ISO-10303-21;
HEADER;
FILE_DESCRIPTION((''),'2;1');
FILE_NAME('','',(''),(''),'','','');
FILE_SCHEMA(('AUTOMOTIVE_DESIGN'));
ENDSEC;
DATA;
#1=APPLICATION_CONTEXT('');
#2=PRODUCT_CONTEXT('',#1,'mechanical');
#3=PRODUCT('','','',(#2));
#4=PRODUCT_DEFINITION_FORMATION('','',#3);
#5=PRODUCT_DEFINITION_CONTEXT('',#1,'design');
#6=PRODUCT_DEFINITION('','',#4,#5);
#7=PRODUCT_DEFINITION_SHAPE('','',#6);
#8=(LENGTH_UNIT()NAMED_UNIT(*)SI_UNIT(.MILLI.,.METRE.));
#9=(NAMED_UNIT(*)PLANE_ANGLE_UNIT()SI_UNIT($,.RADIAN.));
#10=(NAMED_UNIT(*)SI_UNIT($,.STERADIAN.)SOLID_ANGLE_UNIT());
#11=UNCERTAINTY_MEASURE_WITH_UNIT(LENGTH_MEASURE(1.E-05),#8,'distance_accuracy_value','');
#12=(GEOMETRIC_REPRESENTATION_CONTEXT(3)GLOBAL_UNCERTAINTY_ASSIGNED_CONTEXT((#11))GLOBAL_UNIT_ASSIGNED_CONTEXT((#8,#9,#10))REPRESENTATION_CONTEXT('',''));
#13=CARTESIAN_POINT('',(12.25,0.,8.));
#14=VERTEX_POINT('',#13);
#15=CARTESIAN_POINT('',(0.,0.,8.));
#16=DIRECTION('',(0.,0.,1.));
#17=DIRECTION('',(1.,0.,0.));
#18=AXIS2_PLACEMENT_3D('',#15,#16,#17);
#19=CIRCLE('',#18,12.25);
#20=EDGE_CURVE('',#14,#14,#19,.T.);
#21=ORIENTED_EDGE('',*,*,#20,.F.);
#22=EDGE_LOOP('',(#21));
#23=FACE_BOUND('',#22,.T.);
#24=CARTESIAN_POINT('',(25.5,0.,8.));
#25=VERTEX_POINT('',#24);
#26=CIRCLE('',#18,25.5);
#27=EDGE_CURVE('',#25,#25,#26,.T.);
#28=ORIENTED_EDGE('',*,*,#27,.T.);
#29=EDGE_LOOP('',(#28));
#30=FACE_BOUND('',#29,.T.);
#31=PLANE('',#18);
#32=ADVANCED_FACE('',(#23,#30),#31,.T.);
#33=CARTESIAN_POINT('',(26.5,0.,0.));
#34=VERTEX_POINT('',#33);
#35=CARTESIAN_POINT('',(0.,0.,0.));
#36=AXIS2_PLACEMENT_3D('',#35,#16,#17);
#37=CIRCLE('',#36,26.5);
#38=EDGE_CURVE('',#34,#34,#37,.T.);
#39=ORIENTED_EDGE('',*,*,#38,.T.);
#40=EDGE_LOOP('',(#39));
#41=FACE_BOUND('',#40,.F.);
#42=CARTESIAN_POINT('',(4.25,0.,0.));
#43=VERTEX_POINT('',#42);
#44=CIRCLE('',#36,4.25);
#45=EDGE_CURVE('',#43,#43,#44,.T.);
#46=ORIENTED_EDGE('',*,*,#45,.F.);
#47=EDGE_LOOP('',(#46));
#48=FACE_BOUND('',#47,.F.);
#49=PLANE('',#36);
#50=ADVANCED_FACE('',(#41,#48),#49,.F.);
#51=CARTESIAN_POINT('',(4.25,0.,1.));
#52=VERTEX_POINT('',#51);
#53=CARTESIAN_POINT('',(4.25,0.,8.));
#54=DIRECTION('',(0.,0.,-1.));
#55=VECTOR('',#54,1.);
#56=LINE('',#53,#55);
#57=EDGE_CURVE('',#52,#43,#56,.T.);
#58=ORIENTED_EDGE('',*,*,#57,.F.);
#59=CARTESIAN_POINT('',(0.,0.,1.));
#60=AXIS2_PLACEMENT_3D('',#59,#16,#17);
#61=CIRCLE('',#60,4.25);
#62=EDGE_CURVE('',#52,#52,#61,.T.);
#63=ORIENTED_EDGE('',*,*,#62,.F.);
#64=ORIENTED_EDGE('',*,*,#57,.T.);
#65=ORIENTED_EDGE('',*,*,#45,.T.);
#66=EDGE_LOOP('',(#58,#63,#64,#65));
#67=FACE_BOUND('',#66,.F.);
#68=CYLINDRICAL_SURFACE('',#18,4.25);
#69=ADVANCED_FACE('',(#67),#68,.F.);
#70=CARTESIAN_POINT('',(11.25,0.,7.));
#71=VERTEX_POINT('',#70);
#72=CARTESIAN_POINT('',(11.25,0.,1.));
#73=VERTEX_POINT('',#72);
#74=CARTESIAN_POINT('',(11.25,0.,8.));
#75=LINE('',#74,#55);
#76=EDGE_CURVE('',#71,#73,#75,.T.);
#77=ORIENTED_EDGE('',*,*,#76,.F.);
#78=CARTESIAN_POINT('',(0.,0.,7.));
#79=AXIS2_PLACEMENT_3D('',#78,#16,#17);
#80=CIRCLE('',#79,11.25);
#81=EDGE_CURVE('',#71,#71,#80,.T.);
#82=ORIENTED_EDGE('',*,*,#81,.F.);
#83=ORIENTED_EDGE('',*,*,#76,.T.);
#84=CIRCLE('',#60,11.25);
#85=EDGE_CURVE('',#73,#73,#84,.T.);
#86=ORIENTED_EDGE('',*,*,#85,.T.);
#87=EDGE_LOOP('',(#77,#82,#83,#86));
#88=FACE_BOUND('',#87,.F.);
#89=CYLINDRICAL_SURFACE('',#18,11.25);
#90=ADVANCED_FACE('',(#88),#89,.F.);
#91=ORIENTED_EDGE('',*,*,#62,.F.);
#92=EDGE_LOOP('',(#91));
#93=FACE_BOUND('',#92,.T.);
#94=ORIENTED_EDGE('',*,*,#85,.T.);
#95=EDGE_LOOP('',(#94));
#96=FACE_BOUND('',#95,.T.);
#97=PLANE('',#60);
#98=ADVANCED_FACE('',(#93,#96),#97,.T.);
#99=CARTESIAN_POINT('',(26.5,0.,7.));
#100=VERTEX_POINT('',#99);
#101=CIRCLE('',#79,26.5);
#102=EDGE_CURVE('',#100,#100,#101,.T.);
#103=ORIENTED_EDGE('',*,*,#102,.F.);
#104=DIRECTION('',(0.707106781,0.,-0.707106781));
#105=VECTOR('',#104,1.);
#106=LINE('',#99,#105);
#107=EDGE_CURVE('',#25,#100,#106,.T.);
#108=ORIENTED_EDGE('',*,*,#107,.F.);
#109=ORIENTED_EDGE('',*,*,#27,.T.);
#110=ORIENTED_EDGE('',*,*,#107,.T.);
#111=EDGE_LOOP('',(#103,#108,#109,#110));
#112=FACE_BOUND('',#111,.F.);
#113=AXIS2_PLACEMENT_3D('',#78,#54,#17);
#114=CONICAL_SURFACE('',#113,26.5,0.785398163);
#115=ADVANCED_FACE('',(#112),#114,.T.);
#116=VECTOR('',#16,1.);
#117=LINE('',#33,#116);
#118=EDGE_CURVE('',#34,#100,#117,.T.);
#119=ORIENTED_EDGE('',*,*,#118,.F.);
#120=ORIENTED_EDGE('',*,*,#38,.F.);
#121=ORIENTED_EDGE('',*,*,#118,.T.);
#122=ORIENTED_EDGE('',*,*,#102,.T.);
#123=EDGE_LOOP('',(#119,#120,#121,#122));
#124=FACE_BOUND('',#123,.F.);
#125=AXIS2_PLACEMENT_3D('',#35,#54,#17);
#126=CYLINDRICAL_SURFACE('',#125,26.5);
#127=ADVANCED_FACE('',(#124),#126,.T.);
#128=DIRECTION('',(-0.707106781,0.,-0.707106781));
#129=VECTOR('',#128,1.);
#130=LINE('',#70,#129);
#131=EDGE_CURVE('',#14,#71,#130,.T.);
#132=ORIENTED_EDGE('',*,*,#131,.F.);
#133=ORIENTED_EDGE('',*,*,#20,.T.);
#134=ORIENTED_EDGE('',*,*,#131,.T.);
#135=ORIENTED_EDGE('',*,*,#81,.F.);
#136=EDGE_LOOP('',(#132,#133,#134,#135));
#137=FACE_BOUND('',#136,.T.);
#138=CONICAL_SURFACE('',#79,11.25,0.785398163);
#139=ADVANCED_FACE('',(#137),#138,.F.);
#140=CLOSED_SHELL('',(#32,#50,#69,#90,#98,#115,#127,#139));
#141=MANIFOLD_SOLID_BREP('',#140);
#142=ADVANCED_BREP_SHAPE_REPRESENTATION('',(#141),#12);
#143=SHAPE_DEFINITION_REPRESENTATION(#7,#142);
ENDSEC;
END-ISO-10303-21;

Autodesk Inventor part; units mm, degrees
ref_plane "YZ Plane" through (0, 0, 0) normal (1, 0, 0) x (0, 1, 0)
ref_plane "XZ Plane" through (0, 0, 0) normal (0, 1, 0) x (-1, 0, 0)
ref_plane "XY Plane" through (0, 0, 0) normal (0, 0, 1) x (1, 0, 0)
sketch "Sketch1" plane through (0, 0, 0) normal (0, 0, 1) x (1, 0, 0)
  circle A0 centre (0, 0) radius 26.5
  dimension "d0" = 53
extrude "Extrusion1" add sketch "Sketch1" along normal blind 8
sketch "Sketch2" plane through (0, 0, 8) normal (0, 0, 1) x (1, 0, 0)
  circle A0 centre (0, 0) radius 26.5 projected
  circle A1 centre (0, 0) radius 4.25
  dimension "d3" = 8.5
extrude "Extrusion2" cut sketch "Sketch2" against normal blind 8 contours A1
sketch "Sketch3" plane through (0, 0, 8) normal (0, 0, 1) x (1, 0, 0)
  circle A0 centre (0, 0) radius 4.25 projected
  circle A1 centre (0, 0) radius 26.5 projected
  circle A2 centre (0, 0) radius 11.25
  dimension "d6" = 22.5
extrude "Extrusion3" cut sketch "Sketch3" against normal blind 7 contours A2
chamfer "Chamfer1" distance 1 angle 45 1 edges at (-11.25, 0, 8)
chamfer "Chamfer2" distance 1 angle 45 1 edges at (-26.5, 0, 8)
properties part number "SpoolHandle-wheel1"
